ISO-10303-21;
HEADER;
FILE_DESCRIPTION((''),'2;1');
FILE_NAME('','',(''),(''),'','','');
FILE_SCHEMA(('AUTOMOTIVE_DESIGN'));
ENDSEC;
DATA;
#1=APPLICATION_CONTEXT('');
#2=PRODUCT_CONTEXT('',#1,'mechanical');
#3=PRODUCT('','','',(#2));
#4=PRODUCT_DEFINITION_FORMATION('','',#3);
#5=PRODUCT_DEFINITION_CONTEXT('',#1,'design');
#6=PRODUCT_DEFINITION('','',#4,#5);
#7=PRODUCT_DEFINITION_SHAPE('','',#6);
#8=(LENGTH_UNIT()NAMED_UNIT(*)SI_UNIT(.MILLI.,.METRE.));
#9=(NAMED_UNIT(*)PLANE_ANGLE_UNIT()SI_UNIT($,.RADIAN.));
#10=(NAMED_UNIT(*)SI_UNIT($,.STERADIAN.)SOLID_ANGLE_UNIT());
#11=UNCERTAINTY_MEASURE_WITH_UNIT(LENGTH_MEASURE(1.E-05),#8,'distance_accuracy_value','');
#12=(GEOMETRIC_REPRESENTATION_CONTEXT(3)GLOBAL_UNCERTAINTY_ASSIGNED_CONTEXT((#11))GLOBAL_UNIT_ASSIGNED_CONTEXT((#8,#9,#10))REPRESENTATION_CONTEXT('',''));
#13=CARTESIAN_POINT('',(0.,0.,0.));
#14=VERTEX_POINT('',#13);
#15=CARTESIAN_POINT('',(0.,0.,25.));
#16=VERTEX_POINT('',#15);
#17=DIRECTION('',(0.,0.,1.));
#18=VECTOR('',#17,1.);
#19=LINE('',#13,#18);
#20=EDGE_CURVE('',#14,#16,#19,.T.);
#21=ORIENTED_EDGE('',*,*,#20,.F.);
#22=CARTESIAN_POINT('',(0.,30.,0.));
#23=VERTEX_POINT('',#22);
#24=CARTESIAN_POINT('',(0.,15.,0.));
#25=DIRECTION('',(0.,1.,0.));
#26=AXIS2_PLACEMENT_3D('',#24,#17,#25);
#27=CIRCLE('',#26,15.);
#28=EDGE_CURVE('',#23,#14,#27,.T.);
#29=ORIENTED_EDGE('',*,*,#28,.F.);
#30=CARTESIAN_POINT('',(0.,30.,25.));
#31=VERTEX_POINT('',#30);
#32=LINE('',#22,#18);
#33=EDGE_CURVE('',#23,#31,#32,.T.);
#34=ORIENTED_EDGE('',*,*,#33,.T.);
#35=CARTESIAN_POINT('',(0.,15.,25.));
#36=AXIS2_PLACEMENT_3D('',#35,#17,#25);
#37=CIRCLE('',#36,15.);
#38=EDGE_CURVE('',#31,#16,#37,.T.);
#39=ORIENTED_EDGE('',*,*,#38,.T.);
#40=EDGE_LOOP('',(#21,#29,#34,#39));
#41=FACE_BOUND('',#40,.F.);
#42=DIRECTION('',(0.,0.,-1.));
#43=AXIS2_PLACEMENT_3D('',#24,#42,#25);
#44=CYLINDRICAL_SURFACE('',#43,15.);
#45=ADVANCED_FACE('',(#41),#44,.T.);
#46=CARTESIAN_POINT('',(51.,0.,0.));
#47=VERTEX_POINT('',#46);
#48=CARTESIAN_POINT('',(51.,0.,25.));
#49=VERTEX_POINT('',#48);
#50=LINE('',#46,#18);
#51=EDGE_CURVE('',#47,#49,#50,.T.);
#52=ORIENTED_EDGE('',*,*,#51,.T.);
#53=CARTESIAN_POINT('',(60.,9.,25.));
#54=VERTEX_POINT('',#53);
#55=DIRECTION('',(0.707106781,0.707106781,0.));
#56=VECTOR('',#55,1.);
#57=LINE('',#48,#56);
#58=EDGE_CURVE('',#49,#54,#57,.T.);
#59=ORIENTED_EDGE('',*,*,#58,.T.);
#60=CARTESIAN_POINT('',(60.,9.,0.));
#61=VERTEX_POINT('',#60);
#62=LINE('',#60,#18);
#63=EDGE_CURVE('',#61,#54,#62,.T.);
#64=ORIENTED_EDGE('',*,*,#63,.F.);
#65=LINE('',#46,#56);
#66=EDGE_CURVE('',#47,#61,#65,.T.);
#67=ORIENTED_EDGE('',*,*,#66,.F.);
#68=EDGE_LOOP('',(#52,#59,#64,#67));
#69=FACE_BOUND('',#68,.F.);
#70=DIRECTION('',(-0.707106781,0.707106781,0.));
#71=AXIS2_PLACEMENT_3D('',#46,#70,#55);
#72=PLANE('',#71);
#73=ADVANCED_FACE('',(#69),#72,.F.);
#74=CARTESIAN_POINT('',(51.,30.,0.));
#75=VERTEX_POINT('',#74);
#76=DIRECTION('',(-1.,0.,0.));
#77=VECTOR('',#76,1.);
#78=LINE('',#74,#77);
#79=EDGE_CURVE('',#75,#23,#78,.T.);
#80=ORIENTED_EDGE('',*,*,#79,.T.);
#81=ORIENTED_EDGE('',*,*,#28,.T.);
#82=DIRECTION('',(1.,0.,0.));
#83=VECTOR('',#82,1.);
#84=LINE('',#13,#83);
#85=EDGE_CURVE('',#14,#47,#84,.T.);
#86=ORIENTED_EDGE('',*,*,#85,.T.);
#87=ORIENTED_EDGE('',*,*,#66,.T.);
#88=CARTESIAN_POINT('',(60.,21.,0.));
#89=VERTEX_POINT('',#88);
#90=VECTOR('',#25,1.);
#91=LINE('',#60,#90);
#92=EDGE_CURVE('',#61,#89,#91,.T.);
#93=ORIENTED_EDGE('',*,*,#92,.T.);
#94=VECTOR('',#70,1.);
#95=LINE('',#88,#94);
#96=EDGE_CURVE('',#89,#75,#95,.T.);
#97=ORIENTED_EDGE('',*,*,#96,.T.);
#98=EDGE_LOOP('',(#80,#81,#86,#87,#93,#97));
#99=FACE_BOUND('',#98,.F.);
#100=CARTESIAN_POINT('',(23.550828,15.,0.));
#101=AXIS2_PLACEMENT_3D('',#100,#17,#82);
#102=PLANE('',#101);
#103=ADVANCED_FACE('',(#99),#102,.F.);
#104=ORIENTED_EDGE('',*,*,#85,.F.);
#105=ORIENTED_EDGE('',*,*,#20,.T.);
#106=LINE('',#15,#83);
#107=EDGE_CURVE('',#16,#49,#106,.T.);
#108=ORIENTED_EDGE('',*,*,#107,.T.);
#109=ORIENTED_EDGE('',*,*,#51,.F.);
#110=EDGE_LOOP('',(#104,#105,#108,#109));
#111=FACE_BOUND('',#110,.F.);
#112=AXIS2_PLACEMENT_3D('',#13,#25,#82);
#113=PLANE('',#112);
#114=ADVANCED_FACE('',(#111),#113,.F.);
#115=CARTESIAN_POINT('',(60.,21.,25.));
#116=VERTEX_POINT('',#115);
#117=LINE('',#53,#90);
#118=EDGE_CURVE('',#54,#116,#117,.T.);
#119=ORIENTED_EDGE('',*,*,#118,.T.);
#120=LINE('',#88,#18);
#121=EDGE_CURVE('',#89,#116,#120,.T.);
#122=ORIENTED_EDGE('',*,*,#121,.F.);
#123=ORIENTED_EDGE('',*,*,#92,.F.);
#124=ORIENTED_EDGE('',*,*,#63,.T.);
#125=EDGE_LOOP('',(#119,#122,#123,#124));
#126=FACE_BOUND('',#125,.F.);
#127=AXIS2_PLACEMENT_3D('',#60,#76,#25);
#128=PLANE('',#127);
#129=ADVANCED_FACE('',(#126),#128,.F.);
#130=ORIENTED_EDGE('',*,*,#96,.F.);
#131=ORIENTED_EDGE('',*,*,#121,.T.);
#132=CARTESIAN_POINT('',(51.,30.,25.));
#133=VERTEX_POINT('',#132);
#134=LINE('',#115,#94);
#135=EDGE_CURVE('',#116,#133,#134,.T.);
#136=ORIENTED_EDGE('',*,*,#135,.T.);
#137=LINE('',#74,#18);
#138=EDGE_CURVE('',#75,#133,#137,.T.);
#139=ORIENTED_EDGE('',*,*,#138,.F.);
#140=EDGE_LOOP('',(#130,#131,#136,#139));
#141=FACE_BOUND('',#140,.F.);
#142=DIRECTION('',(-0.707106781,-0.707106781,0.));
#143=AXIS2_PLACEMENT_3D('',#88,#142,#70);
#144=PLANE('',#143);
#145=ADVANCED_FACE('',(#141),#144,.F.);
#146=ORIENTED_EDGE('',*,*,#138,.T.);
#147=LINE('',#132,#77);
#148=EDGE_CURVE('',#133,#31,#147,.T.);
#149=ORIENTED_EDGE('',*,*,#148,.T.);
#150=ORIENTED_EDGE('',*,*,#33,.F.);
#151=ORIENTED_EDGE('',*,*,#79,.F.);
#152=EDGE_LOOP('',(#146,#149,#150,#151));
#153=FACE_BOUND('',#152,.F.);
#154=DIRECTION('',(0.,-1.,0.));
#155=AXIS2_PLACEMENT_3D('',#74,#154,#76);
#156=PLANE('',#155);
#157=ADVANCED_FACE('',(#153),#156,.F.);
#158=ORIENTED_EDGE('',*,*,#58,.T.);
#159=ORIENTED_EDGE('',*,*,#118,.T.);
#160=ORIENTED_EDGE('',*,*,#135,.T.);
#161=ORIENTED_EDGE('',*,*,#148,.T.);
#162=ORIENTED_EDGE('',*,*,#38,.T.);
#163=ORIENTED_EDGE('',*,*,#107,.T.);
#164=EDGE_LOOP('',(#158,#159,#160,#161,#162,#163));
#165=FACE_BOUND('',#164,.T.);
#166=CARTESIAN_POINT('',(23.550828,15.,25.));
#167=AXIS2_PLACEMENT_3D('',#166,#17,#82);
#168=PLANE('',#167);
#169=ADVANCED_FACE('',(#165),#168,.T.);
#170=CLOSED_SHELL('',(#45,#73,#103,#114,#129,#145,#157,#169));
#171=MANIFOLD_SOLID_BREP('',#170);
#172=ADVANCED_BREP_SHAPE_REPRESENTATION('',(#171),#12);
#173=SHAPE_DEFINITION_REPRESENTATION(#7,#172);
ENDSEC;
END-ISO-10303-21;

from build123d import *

# Parameters (mm, degrees)
F1_DEPTH = 25


with BuildPart() as f1:
    # F0 (on Top) → F1 (new body)
    with BuildSketch(Plane.XY):
        with BuildLine():
            ThreePointArc((0, 30), (-15, 15), (0, 0))
            Line((0, 0), (51, 0))
            Line((51, 0), (60, 9))
            Line((60, 9), (60, 21))
            Line((60, 21), (51, 30))
            Line((51, 30), (0, 30))
        make_face()
    extrude(amount=F1_DEPTH)


solid = f1.part
